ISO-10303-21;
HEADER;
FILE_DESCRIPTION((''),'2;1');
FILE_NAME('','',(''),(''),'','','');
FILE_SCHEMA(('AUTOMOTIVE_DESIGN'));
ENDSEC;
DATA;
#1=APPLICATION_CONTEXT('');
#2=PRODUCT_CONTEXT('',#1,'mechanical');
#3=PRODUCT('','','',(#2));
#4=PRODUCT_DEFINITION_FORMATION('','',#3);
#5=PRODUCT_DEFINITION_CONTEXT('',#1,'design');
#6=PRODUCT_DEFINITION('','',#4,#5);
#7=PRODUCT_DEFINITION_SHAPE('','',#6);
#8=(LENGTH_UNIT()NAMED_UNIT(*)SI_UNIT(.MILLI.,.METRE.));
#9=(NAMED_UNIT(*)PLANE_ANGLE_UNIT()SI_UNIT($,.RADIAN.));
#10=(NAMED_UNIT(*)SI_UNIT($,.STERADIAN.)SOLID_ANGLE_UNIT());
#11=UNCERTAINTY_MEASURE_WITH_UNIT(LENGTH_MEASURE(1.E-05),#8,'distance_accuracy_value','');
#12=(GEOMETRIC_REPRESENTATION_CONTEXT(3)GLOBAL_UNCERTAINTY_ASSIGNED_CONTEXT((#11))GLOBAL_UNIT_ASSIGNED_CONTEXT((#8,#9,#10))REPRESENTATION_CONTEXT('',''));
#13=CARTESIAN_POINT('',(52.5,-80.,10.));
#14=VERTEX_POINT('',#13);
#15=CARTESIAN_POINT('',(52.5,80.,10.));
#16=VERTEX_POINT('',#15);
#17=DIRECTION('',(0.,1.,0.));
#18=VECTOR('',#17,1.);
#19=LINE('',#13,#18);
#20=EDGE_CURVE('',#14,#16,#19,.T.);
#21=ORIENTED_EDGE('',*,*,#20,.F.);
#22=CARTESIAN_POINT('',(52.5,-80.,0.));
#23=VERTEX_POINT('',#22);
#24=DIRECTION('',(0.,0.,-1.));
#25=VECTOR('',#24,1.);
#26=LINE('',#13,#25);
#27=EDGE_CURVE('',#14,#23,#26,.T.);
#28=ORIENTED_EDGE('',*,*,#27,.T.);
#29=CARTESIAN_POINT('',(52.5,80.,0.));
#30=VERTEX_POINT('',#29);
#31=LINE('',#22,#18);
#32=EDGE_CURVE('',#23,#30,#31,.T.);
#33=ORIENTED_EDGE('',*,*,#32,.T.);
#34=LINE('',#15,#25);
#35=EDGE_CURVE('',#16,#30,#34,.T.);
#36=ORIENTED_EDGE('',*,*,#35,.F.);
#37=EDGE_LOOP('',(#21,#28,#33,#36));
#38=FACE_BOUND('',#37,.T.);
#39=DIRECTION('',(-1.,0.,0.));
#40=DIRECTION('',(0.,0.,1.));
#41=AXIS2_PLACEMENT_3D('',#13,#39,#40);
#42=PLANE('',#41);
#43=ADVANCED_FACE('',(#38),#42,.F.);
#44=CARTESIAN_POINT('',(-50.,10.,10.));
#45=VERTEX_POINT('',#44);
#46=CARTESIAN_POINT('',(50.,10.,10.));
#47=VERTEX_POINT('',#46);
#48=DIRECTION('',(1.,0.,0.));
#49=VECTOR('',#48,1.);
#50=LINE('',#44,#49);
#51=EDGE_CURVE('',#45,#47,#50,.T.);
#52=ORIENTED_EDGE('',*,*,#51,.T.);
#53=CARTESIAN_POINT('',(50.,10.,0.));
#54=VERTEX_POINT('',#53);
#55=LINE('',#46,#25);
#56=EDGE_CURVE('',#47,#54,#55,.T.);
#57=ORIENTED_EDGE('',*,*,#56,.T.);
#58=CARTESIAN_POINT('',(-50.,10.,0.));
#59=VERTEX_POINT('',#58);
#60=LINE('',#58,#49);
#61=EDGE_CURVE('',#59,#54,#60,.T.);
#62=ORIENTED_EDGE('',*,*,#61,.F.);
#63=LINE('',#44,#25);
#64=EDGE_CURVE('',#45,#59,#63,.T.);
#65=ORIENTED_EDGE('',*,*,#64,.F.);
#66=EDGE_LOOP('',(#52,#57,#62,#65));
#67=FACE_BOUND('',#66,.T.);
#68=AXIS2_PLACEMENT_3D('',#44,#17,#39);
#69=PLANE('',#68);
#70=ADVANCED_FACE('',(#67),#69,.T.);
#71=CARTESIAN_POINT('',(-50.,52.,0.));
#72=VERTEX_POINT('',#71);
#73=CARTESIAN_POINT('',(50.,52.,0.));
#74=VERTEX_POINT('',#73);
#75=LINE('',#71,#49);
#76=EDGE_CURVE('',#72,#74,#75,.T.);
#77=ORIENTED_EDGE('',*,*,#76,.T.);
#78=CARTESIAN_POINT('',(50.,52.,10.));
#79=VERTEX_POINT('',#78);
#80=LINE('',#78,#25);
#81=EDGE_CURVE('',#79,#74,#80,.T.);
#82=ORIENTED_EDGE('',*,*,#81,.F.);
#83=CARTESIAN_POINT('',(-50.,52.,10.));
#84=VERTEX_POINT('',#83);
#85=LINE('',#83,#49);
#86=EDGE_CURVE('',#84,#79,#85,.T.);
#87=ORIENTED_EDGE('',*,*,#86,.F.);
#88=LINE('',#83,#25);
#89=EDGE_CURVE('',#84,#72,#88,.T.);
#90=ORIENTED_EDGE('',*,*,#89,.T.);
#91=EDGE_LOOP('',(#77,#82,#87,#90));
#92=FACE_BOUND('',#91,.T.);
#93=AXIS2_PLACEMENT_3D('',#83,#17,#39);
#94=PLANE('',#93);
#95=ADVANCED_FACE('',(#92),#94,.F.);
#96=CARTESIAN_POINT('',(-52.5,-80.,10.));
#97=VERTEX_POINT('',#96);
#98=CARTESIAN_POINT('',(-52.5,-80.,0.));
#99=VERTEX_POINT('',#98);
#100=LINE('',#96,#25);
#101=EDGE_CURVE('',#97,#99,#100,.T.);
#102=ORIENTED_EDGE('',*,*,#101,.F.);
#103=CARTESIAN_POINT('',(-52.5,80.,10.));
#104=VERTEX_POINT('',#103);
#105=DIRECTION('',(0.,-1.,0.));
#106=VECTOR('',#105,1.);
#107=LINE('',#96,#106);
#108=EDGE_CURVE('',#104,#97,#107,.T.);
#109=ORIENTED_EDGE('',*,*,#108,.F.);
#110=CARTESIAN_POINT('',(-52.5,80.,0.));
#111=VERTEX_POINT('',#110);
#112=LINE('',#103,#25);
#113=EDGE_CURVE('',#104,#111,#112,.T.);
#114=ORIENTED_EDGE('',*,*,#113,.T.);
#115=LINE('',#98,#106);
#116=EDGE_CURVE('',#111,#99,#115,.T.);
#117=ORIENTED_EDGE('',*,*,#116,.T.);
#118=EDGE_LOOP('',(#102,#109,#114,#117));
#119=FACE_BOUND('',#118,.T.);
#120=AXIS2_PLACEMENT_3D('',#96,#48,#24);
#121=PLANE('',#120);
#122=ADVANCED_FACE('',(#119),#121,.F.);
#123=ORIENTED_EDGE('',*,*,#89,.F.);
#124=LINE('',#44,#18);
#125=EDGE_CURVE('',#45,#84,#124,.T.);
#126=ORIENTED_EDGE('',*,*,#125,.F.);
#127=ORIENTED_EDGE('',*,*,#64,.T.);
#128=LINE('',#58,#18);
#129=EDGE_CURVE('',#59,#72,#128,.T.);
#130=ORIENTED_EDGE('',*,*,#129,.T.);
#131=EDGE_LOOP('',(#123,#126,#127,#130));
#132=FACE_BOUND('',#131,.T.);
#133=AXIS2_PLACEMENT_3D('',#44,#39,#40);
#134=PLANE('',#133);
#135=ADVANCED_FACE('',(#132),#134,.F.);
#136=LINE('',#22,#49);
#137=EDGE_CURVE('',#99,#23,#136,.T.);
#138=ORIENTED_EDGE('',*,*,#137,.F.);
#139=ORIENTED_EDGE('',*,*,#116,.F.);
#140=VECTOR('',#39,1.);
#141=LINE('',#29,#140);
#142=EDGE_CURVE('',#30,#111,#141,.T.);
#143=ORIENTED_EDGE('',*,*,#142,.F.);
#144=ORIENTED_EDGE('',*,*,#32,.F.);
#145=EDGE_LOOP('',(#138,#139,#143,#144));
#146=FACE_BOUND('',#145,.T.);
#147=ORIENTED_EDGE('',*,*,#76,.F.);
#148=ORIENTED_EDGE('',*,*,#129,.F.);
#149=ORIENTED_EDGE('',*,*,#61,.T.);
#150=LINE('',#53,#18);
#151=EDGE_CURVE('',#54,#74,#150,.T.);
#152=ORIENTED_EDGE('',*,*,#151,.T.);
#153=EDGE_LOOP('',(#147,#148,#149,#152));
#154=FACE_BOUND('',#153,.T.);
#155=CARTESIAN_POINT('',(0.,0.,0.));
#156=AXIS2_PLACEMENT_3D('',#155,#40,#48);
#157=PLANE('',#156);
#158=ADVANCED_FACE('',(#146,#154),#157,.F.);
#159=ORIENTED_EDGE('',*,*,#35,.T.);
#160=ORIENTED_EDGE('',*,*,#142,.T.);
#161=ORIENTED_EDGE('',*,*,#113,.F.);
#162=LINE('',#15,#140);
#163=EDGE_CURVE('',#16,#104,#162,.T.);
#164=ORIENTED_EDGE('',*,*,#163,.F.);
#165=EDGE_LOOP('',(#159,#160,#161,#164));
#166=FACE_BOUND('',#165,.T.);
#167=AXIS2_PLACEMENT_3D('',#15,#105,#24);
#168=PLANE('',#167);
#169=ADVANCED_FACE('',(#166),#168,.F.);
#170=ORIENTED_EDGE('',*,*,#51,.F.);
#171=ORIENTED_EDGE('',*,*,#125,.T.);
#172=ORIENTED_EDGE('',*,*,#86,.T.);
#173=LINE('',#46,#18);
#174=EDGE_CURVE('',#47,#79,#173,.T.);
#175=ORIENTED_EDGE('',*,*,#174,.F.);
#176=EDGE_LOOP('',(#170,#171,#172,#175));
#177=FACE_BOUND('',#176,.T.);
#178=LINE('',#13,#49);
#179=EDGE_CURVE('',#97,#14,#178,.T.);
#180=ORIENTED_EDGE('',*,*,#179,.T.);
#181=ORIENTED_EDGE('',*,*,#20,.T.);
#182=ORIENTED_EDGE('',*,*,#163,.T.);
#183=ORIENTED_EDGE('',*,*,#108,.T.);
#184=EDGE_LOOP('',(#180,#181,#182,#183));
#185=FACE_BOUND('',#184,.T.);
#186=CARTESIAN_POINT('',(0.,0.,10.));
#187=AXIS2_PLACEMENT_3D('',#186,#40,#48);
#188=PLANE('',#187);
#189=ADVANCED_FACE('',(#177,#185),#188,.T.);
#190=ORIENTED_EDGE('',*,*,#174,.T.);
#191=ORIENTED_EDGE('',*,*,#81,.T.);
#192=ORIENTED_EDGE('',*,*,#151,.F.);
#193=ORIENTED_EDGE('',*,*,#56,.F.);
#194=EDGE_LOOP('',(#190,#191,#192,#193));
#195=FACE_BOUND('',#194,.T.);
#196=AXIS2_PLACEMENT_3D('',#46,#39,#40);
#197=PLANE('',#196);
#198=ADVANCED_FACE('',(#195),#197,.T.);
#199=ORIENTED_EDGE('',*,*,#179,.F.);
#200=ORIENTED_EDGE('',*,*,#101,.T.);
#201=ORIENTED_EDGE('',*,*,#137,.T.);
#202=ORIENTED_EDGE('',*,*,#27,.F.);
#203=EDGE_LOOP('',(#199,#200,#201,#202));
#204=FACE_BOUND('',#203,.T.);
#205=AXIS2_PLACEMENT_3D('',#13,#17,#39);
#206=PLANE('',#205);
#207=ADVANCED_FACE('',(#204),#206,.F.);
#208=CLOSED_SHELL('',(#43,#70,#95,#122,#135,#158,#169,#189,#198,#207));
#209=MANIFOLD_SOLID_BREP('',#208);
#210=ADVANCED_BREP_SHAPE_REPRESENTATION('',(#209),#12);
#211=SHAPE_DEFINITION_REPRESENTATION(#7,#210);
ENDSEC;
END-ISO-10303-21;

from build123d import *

# Parameters (mm, degrees)
SKETCH1_W           = 105
SKETCH1_H           = 160
BOSS_EXTRUDE1_DEPTH = 10
SKETCH3_W           = 100
SKETCH3_H           = 42
CUT_EXTRUDE1_DEPTH  = 97.209407024


with BuildPart() as part:
    # Sketch1 → Boss-Extrude1 (new body)
    with BuildSketch(Plane.XY):
        Rectangle(SKETCH1_W, SKETCH1_H)
    extrude(amount=BOSS_EXTRUDE1_DEPTH)

    # Sketch3 → Cut-Extrude1 (cut, through all)
    with BuildSketch(Plane(origin=(0, 0, 0), x_dir=(-1, 0, 0), z_dir=(0, 0, -1))):
        with Locations((0, 31)):
            Rectangle(SKETCH3_W, SKETCH3_H)
    extrude(amount=-CUT_EXTRUDE1_DEPTH, mode=Mode.SUBTRACT)


solid = part.part
